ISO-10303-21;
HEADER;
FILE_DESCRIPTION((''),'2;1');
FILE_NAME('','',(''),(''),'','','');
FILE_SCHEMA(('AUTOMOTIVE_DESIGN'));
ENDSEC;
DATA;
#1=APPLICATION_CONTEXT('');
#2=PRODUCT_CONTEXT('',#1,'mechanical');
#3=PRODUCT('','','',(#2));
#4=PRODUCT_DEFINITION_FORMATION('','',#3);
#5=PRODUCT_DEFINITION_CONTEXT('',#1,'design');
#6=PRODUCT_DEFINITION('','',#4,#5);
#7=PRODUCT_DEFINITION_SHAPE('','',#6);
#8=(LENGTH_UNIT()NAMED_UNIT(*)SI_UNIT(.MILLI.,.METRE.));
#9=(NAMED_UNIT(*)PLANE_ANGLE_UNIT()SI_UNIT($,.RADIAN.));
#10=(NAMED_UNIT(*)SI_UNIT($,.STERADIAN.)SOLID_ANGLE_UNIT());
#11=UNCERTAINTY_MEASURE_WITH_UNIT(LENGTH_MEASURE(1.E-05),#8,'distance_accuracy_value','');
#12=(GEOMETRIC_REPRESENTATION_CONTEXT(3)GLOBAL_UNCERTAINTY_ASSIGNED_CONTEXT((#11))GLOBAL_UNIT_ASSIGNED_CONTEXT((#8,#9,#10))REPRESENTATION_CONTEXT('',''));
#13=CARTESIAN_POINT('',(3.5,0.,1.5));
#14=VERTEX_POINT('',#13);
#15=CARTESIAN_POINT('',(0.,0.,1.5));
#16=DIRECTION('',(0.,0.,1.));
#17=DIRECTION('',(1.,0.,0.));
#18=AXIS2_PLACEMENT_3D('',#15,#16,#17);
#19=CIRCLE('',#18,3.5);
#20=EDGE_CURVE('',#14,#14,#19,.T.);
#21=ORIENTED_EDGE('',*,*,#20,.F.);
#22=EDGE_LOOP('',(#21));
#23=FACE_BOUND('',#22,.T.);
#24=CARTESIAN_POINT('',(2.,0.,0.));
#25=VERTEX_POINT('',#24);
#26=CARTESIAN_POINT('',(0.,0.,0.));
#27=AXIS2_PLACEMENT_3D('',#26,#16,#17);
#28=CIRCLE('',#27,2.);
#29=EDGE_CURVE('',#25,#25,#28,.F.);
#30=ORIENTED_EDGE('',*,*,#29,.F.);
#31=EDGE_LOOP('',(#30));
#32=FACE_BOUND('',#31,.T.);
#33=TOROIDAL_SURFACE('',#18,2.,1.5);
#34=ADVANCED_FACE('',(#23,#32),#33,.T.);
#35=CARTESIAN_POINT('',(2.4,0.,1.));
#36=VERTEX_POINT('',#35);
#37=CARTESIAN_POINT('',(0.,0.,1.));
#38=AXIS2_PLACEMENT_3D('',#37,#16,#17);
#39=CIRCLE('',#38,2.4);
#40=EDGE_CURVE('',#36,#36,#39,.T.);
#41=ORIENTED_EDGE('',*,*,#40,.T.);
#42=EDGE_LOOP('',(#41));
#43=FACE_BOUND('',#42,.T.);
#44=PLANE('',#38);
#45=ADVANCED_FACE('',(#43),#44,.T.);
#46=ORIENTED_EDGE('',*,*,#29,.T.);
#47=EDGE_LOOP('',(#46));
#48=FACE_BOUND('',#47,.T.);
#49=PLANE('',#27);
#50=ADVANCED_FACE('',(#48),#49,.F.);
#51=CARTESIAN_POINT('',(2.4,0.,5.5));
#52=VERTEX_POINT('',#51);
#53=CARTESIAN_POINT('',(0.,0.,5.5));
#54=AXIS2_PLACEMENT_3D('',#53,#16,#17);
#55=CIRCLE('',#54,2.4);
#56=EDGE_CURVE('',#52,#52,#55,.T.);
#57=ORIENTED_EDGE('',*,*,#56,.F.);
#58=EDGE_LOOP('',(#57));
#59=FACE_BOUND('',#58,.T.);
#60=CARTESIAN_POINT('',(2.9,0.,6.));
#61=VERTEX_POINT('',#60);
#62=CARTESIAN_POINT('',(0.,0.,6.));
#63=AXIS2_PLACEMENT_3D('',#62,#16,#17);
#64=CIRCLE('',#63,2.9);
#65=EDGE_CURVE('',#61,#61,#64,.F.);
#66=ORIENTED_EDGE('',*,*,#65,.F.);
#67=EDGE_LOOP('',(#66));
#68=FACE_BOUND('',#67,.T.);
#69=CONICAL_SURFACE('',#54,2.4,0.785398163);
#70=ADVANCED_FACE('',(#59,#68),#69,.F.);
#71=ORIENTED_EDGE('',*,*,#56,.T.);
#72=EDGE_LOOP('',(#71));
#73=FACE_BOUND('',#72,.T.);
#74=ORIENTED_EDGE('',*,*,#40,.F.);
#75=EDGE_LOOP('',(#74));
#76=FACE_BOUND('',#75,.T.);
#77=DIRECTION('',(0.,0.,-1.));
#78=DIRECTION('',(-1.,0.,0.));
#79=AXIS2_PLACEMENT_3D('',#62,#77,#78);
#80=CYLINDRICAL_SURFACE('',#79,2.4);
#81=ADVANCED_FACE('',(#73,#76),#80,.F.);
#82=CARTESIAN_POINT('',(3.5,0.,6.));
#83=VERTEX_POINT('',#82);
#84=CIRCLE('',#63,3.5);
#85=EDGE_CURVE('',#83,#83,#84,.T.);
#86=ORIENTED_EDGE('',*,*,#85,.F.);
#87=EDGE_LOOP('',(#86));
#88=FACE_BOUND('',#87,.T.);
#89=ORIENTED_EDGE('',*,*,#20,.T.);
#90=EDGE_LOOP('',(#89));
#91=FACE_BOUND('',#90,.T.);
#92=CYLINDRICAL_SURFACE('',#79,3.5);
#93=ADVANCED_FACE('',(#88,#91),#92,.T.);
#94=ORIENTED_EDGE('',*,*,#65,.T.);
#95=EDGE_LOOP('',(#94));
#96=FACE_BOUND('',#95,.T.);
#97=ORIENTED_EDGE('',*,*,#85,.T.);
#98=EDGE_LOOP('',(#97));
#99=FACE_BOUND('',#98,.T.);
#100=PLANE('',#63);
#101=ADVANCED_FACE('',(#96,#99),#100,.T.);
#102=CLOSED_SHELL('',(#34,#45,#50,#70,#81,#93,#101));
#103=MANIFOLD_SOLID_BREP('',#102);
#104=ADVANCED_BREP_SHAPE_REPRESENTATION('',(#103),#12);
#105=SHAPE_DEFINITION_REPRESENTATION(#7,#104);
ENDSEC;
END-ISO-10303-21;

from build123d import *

# Parameters (mm, degrees)
SKETCH1_R           = 3.5
SKETCH1_R_2         = 2.4
BOSS_EXTRUDE1_DEPTH = 6
SKETCH1_2_R         = 2.4
BOSS_EXTRUDE2_DEPTH = 1
FILLET1_R           = 1.5
CHAMFER1_SIZE       = 0.5


with BuildPart() as part:
    # Sketch1 → Boss-Extrude1 (new body)
    with BuildSketch(Plane.XY):
        Circle(SKETCH1_R)
        Circle(SKETCH1_R_2, mode=Mode.SUBTRACT)
    extrude(amount=BOSS_EXTRUDE1_DEPTH)

    # Sketch1<2> → Boss-Extrude2 (add)
    with BuildSketch(Plane.XY):
        Circle(SKETCH1_2_R)
    extrude(amount=BOSS_EXTRUDE2_DEPTH)

    # Fillet1
    fillet1_edges = [part.edges().sort_by_distance(p)[0] for p in [
        (-3.5, 0, 0),
    ]]
    fillet(fillet1_edges, radius=FILLET1_R)

    # Chamfer1
    chamfer1_edges = [part.edges().sort_by_distance(p)[0] for p in [
        (-2.4, 0, 6),
    ]]
    chamfer(chamfer1_edges, length=CHAMFER1_SIZE)


solid = part.part
